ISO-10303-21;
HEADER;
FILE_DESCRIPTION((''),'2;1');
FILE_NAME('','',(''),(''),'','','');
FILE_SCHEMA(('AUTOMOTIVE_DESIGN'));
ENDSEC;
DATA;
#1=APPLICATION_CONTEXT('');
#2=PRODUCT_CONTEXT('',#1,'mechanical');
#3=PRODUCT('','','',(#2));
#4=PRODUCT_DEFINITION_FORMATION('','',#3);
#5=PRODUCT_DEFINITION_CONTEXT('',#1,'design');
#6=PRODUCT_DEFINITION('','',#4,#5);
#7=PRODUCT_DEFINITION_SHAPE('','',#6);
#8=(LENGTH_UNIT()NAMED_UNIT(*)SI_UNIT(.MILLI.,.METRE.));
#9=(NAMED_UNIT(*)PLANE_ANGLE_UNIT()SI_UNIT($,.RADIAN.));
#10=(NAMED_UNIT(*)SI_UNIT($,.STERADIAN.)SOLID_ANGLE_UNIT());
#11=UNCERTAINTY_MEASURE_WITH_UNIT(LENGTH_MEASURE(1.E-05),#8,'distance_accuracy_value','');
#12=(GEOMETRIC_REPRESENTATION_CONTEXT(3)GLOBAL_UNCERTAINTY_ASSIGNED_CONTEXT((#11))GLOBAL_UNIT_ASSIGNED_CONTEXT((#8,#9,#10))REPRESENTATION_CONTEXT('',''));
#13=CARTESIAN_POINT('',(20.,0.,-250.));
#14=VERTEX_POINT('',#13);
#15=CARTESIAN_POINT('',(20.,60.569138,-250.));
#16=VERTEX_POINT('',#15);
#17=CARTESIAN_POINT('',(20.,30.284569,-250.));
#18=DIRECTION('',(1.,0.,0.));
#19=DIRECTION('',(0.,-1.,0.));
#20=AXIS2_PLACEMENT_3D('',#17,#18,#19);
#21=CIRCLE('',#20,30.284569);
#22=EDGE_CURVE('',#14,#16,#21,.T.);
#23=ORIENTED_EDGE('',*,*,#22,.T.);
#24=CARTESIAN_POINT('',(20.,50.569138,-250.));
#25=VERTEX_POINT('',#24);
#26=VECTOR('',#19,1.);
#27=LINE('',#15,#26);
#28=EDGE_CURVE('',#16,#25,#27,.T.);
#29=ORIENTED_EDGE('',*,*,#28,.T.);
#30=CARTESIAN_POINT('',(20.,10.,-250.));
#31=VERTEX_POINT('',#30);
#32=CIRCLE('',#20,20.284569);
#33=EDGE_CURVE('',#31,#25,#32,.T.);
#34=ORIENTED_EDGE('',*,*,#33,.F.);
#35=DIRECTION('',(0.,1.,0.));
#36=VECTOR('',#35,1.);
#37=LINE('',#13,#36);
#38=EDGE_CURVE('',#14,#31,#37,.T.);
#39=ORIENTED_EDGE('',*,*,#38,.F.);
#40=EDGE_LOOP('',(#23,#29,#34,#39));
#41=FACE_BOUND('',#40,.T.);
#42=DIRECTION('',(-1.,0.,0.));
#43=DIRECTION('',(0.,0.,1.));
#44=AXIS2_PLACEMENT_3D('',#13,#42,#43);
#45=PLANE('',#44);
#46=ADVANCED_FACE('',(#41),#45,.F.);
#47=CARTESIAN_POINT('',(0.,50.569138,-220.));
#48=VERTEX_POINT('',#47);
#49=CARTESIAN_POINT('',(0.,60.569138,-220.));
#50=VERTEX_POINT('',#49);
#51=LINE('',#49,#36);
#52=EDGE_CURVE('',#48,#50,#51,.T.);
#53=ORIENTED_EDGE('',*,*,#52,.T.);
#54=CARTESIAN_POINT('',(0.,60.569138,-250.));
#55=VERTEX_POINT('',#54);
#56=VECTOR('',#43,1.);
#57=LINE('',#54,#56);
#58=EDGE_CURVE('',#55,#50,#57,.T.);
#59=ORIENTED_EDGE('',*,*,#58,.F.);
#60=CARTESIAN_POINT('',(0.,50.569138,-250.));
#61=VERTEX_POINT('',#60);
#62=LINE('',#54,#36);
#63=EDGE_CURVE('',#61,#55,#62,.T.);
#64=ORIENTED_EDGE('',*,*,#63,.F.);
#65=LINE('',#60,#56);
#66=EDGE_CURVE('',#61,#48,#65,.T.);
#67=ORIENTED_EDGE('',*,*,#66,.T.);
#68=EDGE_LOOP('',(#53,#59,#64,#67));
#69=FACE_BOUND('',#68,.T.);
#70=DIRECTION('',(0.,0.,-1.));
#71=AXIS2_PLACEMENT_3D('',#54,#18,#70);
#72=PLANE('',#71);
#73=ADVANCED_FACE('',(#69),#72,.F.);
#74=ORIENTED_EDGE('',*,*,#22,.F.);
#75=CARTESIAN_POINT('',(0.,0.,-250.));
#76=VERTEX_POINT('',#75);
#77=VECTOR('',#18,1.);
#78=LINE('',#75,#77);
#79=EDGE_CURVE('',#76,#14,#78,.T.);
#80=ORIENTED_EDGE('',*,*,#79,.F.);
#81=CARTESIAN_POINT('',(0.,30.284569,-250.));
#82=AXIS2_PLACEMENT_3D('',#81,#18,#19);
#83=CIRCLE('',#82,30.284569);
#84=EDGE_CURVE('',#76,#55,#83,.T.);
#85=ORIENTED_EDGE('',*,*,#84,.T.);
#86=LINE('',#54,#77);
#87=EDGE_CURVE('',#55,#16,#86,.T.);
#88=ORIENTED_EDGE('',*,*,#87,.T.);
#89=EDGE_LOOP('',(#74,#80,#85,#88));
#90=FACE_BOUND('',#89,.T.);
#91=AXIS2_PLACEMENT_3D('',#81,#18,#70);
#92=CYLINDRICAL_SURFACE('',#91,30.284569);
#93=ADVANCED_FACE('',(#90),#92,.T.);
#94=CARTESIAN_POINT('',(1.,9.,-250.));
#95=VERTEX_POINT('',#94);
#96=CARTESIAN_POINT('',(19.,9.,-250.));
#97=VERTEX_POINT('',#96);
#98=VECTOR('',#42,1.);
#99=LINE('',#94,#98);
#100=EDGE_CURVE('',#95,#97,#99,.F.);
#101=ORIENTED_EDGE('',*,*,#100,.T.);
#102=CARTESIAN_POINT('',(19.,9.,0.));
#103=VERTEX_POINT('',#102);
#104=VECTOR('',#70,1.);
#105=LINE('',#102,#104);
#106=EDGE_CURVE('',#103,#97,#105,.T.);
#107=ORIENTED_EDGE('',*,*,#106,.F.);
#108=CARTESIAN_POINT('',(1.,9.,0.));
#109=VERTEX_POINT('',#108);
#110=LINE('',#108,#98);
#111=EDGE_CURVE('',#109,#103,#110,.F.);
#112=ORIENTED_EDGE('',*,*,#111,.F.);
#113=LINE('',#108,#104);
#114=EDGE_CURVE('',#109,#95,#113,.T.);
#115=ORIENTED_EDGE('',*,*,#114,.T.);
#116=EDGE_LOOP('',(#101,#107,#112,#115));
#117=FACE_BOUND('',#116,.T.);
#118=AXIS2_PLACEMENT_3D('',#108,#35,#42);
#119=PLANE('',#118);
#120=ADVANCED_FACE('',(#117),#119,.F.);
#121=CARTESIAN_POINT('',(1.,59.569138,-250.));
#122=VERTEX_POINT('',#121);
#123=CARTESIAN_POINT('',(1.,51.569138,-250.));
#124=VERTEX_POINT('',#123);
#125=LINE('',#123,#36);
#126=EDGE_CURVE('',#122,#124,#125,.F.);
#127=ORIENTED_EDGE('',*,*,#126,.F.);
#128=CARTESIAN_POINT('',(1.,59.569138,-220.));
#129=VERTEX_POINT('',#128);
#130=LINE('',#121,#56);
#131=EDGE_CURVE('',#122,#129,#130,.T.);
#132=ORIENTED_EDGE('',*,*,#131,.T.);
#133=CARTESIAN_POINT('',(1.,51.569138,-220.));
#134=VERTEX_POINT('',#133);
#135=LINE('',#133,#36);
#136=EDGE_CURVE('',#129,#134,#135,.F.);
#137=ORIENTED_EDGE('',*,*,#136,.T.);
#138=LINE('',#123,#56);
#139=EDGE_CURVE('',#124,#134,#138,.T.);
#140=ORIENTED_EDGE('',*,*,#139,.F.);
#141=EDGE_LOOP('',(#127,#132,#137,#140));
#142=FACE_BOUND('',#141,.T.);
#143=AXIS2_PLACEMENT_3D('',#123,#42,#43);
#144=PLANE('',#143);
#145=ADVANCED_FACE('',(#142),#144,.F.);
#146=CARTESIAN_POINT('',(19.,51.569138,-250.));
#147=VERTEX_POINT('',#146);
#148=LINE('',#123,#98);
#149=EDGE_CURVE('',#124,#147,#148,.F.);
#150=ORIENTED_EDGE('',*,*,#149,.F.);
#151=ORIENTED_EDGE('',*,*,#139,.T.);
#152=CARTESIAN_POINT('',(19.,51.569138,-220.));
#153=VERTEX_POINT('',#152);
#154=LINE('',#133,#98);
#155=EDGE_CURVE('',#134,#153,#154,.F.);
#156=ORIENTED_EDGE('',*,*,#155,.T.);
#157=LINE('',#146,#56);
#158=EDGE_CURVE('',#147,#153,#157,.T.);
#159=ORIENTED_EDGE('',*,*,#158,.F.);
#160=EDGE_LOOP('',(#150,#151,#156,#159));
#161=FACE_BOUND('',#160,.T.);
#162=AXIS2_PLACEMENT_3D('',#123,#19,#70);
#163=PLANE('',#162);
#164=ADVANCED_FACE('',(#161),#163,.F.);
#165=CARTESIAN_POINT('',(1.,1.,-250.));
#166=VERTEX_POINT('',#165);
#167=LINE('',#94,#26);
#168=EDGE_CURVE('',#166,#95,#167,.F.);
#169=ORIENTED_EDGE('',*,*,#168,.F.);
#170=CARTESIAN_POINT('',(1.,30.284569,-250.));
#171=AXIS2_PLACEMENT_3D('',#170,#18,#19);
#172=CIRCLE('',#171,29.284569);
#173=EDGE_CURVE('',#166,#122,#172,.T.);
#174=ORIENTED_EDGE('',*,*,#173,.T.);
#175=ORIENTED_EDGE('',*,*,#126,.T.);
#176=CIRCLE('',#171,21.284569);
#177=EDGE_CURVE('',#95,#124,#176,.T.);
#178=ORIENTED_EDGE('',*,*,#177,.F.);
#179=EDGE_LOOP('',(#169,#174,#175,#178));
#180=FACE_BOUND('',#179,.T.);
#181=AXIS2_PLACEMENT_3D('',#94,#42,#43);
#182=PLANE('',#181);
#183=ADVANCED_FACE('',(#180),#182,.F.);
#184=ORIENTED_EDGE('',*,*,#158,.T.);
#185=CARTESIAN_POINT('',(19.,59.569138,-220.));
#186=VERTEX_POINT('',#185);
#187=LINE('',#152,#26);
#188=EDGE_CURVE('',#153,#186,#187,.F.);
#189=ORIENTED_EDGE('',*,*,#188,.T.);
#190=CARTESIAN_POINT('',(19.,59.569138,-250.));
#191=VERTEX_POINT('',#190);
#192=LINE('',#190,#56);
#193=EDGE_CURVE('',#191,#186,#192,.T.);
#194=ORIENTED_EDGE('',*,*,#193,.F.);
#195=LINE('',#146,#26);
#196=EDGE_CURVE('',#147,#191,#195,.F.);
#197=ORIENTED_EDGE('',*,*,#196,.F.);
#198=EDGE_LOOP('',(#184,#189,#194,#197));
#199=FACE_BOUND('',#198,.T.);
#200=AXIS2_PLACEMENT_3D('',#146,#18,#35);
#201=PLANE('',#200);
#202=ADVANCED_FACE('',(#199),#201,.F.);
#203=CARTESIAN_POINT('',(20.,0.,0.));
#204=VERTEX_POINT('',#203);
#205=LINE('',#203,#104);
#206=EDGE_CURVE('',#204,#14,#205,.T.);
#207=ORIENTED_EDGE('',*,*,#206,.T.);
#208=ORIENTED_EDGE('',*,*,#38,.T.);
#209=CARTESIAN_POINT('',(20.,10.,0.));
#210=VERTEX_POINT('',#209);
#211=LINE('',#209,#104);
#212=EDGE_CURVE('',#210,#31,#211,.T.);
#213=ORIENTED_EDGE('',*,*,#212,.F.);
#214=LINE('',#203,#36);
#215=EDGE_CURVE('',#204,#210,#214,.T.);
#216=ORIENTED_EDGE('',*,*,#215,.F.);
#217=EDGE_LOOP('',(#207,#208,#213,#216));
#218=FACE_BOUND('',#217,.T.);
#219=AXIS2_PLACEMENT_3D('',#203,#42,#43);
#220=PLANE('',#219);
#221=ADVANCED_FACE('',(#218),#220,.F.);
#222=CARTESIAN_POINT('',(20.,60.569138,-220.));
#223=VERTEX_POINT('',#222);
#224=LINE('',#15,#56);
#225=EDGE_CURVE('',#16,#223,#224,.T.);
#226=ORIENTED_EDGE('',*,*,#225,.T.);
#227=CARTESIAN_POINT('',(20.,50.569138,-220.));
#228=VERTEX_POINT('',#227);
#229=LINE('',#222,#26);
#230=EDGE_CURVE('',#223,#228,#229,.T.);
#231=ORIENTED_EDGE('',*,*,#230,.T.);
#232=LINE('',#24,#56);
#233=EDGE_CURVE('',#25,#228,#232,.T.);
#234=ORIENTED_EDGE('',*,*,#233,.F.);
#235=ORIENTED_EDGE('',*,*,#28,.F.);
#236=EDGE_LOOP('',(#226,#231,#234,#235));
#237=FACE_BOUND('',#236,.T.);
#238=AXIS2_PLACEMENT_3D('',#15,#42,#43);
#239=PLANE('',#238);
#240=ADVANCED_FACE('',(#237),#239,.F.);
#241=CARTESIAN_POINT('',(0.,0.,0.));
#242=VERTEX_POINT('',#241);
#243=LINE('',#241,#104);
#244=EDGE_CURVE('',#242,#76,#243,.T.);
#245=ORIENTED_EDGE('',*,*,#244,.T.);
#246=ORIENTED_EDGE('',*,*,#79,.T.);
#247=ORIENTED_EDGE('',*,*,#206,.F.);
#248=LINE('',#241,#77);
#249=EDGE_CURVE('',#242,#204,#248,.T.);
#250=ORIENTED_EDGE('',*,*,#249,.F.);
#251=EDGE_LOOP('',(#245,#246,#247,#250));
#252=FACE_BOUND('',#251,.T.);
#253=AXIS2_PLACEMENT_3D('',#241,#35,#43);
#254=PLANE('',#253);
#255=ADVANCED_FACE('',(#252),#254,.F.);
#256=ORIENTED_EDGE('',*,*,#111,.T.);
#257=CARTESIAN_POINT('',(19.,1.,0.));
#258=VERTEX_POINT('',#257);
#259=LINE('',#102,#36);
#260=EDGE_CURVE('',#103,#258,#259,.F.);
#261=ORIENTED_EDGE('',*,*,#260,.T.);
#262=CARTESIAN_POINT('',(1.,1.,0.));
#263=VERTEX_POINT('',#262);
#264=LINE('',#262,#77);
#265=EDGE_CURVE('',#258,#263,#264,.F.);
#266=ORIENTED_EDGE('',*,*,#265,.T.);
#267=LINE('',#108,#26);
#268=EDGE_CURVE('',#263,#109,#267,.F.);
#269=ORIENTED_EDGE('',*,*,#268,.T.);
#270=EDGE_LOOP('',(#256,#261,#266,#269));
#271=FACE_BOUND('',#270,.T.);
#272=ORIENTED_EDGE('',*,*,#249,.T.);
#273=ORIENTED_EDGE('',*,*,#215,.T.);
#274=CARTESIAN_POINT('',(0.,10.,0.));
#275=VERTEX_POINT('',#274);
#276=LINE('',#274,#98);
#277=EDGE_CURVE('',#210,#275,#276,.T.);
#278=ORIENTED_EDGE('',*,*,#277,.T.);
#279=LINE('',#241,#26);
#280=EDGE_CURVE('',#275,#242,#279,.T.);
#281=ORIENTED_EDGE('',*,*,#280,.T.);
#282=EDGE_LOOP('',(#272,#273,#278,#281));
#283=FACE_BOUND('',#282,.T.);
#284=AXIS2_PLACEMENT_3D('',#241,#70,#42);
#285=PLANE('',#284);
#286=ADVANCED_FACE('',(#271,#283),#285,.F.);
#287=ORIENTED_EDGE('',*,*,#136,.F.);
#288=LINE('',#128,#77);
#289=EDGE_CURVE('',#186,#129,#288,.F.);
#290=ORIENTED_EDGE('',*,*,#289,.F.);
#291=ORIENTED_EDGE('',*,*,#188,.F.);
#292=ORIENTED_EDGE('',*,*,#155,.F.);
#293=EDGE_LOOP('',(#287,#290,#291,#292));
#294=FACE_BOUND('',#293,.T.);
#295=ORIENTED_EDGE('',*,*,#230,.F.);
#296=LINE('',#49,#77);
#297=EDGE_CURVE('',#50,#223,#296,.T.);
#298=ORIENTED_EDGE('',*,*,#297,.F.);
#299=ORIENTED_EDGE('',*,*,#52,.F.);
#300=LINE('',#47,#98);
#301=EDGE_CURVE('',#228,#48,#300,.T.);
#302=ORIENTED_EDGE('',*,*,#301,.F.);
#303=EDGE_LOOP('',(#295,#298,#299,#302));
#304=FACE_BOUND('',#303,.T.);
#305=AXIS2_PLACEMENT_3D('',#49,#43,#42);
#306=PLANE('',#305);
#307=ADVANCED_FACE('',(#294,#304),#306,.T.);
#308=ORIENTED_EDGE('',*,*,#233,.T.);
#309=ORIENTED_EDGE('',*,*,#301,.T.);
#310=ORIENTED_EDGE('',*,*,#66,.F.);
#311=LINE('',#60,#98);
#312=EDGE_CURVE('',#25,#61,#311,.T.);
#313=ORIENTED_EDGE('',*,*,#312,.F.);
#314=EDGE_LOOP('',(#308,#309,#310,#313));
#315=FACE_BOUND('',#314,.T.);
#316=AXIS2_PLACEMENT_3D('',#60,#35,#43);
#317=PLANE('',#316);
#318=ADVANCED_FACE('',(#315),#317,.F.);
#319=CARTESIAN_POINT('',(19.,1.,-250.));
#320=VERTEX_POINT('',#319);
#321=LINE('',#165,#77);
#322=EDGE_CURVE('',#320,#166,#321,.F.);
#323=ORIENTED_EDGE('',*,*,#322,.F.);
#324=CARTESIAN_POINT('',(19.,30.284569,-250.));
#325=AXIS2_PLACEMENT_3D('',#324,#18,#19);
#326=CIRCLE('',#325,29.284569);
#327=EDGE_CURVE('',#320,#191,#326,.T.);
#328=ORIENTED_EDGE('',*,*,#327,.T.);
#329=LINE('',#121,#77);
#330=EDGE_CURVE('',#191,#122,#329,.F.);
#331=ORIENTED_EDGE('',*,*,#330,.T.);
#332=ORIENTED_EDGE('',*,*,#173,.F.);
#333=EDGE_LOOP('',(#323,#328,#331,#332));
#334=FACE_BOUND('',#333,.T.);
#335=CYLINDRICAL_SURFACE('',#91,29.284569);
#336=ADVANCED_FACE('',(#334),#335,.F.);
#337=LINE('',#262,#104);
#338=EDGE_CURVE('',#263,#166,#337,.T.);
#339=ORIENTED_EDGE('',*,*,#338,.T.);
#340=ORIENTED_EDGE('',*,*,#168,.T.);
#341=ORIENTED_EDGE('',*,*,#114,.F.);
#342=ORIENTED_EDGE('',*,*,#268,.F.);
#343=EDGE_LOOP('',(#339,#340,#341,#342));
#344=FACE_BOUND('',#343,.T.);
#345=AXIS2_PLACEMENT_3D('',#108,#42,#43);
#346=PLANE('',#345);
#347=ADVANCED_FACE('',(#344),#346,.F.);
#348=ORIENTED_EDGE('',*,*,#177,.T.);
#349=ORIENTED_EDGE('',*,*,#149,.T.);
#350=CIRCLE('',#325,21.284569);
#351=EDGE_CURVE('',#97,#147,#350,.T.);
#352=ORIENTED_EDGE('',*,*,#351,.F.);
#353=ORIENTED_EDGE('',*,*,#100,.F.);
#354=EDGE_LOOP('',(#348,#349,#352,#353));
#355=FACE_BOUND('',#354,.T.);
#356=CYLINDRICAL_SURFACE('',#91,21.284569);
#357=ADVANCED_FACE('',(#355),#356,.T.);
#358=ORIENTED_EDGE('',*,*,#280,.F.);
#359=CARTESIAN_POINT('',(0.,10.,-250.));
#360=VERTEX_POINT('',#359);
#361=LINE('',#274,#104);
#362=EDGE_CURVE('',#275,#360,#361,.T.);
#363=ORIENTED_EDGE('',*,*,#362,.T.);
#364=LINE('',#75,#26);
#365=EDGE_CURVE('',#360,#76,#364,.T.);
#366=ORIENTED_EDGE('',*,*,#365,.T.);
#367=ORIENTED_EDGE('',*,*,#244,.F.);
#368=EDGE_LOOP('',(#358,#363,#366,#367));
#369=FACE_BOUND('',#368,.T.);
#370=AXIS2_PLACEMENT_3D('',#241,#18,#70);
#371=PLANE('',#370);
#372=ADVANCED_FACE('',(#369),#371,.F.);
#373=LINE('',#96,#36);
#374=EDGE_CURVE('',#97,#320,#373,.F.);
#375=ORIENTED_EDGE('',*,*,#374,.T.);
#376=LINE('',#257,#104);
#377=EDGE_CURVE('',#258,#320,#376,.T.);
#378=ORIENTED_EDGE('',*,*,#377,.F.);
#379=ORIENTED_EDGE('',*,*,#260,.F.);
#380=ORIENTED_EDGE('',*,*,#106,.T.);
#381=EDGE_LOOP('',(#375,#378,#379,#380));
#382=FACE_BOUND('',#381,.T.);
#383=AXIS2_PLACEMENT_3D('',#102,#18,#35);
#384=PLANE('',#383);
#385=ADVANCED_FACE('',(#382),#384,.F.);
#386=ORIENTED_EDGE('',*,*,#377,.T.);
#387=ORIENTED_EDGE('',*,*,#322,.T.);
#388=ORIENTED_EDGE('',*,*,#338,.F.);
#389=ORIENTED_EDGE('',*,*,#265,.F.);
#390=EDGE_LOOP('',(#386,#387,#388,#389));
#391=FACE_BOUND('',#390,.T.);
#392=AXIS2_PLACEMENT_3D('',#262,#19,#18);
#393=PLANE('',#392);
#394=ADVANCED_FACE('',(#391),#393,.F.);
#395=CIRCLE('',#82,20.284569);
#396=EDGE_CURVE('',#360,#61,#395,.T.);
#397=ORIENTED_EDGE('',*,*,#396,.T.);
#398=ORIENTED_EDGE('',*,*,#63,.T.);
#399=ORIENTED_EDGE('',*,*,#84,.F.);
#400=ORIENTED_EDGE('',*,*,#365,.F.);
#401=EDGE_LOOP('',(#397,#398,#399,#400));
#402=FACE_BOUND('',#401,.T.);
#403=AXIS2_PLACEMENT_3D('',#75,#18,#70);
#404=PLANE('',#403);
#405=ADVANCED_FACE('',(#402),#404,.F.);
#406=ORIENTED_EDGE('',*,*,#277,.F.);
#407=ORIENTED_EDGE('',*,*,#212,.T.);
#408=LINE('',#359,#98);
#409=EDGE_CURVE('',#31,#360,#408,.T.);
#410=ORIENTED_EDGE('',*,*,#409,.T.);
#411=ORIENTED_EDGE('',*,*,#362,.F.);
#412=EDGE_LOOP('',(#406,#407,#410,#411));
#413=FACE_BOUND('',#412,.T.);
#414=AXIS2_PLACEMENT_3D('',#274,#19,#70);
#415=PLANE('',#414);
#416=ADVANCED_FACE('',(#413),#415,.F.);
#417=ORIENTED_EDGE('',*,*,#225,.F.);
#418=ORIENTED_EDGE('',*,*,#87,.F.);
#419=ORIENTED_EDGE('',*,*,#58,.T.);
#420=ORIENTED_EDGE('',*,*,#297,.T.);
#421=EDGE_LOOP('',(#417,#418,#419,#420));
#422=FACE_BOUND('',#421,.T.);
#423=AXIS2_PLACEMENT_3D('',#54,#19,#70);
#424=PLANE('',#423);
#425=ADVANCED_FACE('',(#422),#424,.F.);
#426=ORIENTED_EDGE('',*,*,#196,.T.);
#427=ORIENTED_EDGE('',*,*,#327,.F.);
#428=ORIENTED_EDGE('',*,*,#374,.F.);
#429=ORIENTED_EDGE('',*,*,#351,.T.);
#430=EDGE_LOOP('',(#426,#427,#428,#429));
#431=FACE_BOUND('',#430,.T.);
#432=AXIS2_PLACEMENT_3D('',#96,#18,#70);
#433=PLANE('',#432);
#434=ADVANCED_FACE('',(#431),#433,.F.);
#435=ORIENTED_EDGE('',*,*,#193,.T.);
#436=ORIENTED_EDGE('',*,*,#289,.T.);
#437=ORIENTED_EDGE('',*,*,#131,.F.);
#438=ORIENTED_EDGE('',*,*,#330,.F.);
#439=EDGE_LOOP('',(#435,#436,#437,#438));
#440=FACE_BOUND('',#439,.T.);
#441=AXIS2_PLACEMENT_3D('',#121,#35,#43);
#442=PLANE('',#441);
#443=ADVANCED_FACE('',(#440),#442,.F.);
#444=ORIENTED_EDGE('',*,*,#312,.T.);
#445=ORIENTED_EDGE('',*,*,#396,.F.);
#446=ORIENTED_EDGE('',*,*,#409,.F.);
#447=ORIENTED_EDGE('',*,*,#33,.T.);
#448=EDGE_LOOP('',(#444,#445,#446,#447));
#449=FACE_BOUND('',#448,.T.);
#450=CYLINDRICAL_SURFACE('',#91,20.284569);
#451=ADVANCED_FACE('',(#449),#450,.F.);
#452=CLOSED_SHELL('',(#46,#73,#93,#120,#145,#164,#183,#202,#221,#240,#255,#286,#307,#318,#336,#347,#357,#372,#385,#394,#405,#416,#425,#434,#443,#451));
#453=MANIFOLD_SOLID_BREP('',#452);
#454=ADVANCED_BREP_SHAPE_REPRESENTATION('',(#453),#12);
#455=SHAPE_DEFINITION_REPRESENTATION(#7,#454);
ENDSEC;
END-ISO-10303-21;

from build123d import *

# Parameters (mm, degrees)
ESQUISSE1_W   = 20
ESQUISSE1_H   = 10
ESQUISSE1_W_2 = 18
ESQUISSE1_H_2 = 8


with BuildPart() as part:
    # Balayage1: sweep along a path in Esquisse2
    with BuildLine(Plane(origin=(0, 0, 0), x_dir=(0, 0, -1), z_dir=(1, 0, 0))) as balayage1_path:
        Line((0, 2.284569244), (250, 2.284569244))
        ThreePointArc((250, 2.284569244), (278, 30.284569244), (250, 58.284569244))
        Line((250, 58.284569244), (220, 58.284569244))
    # Esquisse1 → Balayage1 (sweep)
    with BuildSketch(Plane.XY):
        with Locations((10, 5)):
            Rectangle(ESQUISSE1_W, ESQUISSE1_H)
        with Locations((10, 5)):
            Rectangle(ESQUISSE1_W_2, ESQUISSE1_H_2, mode=Mode.SUBTRACT)
    sweep(path=balayage1_path.line)


solid = part.part
